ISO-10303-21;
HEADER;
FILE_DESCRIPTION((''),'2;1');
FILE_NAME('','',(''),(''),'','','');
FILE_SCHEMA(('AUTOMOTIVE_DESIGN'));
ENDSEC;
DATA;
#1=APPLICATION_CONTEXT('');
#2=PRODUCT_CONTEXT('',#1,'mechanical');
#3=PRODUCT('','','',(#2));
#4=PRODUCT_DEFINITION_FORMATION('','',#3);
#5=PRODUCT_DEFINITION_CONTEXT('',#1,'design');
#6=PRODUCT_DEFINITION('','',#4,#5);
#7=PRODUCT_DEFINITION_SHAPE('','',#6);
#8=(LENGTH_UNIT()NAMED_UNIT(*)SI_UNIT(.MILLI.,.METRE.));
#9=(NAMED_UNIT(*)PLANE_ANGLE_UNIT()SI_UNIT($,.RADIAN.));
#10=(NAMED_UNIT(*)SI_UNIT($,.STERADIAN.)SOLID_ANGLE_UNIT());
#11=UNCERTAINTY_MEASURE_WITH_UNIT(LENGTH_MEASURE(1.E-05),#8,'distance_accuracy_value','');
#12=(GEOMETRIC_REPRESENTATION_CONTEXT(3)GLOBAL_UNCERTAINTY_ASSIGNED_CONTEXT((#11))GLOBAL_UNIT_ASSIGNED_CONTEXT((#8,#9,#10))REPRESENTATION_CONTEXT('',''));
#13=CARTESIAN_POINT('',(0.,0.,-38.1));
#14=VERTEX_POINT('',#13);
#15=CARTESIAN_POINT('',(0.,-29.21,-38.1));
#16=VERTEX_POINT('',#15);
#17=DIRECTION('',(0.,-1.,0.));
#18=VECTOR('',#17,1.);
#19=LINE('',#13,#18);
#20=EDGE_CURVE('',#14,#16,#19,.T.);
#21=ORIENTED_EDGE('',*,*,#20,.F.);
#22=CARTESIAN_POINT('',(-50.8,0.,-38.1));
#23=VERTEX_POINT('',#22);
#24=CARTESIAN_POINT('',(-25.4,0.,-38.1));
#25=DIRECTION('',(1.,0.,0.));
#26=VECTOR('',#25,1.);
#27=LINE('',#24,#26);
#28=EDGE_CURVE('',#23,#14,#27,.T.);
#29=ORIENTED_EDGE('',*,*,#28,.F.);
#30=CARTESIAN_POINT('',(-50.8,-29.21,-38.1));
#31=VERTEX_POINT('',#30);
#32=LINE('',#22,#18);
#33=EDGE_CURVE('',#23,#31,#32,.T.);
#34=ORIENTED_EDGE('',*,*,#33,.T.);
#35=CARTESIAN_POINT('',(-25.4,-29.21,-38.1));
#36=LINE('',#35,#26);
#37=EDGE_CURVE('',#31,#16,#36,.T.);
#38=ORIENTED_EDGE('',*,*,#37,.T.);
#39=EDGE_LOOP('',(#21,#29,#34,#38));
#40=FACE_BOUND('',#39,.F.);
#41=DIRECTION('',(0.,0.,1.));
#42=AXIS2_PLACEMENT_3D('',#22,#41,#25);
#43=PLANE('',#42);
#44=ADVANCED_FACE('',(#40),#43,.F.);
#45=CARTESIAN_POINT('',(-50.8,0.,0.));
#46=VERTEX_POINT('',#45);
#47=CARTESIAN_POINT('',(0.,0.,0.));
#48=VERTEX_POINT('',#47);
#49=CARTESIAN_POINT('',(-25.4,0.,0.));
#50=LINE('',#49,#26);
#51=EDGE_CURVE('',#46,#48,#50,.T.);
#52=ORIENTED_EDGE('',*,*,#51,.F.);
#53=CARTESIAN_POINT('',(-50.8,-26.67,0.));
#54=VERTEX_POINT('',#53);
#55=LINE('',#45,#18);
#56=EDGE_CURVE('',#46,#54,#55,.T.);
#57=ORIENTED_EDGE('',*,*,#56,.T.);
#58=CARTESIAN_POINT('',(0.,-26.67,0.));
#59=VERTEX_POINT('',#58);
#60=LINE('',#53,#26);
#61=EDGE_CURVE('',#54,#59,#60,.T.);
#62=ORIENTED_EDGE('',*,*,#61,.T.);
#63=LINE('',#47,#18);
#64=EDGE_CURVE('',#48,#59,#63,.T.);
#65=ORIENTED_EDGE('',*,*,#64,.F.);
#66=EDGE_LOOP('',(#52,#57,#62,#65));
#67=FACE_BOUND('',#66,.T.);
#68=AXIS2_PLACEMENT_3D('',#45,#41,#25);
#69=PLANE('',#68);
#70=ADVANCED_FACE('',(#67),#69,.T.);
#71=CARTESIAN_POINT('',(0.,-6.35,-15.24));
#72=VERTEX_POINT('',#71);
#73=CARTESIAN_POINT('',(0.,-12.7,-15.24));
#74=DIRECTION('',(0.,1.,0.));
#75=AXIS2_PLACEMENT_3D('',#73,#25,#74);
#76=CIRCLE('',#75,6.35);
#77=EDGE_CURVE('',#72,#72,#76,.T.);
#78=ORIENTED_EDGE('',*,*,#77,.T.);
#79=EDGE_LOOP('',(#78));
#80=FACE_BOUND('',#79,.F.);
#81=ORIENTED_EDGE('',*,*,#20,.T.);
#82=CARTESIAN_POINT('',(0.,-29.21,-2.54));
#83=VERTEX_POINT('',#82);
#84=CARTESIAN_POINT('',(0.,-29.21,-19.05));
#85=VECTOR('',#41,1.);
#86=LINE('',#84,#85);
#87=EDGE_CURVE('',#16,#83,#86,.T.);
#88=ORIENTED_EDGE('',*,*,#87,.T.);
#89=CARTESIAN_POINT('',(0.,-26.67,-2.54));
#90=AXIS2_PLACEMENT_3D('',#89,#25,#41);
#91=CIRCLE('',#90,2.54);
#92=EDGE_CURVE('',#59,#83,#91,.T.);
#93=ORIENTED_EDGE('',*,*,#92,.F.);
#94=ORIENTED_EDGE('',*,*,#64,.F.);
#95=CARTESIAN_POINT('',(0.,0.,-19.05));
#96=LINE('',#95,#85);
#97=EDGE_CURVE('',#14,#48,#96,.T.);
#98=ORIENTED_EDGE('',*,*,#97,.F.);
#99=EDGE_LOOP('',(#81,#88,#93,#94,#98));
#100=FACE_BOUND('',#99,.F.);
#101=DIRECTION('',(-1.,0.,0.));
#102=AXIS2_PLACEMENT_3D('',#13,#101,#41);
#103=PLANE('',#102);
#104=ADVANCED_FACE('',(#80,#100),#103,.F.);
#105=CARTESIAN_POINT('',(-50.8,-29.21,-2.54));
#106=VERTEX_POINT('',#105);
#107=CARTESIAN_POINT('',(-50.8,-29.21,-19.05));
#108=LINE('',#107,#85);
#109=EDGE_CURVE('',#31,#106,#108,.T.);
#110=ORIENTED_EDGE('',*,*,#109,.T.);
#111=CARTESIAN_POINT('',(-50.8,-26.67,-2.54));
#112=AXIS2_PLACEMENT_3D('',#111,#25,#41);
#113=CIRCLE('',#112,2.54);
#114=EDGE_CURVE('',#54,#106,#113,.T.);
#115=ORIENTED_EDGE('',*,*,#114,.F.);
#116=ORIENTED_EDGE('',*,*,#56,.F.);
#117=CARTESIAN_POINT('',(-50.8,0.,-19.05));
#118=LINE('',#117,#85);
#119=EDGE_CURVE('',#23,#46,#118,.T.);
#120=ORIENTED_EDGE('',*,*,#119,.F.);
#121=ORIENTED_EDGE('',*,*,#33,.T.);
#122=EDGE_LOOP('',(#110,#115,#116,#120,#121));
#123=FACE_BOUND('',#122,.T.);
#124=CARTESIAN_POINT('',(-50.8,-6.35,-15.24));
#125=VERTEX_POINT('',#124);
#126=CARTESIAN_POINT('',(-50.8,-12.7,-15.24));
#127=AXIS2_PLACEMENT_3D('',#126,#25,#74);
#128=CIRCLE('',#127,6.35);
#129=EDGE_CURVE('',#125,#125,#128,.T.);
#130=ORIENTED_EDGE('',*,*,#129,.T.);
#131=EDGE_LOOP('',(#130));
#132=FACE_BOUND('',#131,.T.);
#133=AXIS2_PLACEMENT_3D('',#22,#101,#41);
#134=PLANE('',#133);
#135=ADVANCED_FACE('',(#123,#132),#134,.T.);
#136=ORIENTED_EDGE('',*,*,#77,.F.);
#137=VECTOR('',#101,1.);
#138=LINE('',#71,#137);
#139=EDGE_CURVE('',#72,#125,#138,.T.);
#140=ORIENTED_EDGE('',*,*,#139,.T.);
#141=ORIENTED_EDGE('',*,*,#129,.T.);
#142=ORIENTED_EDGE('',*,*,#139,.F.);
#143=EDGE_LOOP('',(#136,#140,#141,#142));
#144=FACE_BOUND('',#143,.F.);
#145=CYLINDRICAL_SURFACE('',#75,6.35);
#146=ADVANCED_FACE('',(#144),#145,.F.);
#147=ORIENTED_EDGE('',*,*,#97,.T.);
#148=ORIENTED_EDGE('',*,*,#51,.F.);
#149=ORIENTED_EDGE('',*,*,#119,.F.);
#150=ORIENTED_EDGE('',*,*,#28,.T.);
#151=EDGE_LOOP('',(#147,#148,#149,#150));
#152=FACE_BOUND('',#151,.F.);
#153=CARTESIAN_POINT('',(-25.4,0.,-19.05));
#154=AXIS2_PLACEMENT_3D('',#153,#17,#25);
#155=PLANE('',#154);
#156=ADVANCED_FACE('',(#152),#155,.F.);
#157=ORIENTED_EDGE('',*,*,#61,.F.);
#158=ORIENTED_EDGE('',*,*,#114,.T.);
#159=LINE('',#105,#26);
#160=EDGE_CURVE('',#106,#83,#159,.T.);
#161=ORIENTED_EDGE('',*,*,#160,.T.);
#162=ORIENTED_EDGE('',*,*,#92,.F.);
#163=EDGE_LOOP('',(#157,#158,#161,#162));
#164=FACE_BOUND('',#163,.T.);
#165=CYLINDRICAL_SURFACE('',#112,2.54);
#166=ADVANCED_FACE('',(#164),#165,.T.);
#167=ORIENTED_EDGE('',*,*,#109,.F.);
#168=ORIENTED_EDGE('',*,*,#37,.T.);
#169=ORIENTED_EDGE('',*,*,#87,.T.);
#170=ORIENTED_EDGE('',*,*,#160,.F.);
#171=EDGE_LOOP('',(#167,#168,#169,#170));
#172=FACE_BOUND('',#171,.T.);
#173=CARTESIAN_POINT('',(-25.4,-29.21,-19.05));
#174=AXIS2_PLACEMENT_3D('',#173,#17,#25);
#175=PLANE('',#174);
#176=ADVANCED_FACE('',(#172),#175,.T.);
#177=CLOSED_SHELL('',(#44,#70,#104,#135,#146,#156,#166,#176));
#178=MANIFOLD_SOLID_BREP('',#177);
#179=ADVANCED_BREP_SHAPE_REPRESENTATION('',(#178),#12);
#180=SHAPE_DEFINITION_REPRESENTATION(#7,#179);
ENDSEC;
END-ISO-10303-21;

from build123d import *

# Parameters (mm, degrees)
F0_W     = 50.8
F0_H     = 38.1
F1_DEPTH = 29.21
F2_R     = 2.54
F3_R     = 6.35
F4_DEPTH = 50.8


with BuildPart() as f1:
    # F0 (on Front) → F1 (new body)
    with BuildSketch(Plane.XZ):
        with Locations((-25.4, -19.05)):
            Rectangle(F0_W, F0_H)
    extrude(amount=F1_DEPTH)

    # F2
    f2_edges = [f1.edges().sort_by_distance(p)[0] for p in [
        (-25.4, -29.21, 0),
    ]]
    fillet(f2_edges, radius=F2_R)

    # F3 (on face) → F4 (cut, through all)
    with BuildSketch(Plane.YZ):
        with Locations((-12.7, -15.24)):
            Circle(F3_R)
    extrude(amount=-F4_DEPTH, mode=Mode.SUBTRACT)


solid = f1.part
